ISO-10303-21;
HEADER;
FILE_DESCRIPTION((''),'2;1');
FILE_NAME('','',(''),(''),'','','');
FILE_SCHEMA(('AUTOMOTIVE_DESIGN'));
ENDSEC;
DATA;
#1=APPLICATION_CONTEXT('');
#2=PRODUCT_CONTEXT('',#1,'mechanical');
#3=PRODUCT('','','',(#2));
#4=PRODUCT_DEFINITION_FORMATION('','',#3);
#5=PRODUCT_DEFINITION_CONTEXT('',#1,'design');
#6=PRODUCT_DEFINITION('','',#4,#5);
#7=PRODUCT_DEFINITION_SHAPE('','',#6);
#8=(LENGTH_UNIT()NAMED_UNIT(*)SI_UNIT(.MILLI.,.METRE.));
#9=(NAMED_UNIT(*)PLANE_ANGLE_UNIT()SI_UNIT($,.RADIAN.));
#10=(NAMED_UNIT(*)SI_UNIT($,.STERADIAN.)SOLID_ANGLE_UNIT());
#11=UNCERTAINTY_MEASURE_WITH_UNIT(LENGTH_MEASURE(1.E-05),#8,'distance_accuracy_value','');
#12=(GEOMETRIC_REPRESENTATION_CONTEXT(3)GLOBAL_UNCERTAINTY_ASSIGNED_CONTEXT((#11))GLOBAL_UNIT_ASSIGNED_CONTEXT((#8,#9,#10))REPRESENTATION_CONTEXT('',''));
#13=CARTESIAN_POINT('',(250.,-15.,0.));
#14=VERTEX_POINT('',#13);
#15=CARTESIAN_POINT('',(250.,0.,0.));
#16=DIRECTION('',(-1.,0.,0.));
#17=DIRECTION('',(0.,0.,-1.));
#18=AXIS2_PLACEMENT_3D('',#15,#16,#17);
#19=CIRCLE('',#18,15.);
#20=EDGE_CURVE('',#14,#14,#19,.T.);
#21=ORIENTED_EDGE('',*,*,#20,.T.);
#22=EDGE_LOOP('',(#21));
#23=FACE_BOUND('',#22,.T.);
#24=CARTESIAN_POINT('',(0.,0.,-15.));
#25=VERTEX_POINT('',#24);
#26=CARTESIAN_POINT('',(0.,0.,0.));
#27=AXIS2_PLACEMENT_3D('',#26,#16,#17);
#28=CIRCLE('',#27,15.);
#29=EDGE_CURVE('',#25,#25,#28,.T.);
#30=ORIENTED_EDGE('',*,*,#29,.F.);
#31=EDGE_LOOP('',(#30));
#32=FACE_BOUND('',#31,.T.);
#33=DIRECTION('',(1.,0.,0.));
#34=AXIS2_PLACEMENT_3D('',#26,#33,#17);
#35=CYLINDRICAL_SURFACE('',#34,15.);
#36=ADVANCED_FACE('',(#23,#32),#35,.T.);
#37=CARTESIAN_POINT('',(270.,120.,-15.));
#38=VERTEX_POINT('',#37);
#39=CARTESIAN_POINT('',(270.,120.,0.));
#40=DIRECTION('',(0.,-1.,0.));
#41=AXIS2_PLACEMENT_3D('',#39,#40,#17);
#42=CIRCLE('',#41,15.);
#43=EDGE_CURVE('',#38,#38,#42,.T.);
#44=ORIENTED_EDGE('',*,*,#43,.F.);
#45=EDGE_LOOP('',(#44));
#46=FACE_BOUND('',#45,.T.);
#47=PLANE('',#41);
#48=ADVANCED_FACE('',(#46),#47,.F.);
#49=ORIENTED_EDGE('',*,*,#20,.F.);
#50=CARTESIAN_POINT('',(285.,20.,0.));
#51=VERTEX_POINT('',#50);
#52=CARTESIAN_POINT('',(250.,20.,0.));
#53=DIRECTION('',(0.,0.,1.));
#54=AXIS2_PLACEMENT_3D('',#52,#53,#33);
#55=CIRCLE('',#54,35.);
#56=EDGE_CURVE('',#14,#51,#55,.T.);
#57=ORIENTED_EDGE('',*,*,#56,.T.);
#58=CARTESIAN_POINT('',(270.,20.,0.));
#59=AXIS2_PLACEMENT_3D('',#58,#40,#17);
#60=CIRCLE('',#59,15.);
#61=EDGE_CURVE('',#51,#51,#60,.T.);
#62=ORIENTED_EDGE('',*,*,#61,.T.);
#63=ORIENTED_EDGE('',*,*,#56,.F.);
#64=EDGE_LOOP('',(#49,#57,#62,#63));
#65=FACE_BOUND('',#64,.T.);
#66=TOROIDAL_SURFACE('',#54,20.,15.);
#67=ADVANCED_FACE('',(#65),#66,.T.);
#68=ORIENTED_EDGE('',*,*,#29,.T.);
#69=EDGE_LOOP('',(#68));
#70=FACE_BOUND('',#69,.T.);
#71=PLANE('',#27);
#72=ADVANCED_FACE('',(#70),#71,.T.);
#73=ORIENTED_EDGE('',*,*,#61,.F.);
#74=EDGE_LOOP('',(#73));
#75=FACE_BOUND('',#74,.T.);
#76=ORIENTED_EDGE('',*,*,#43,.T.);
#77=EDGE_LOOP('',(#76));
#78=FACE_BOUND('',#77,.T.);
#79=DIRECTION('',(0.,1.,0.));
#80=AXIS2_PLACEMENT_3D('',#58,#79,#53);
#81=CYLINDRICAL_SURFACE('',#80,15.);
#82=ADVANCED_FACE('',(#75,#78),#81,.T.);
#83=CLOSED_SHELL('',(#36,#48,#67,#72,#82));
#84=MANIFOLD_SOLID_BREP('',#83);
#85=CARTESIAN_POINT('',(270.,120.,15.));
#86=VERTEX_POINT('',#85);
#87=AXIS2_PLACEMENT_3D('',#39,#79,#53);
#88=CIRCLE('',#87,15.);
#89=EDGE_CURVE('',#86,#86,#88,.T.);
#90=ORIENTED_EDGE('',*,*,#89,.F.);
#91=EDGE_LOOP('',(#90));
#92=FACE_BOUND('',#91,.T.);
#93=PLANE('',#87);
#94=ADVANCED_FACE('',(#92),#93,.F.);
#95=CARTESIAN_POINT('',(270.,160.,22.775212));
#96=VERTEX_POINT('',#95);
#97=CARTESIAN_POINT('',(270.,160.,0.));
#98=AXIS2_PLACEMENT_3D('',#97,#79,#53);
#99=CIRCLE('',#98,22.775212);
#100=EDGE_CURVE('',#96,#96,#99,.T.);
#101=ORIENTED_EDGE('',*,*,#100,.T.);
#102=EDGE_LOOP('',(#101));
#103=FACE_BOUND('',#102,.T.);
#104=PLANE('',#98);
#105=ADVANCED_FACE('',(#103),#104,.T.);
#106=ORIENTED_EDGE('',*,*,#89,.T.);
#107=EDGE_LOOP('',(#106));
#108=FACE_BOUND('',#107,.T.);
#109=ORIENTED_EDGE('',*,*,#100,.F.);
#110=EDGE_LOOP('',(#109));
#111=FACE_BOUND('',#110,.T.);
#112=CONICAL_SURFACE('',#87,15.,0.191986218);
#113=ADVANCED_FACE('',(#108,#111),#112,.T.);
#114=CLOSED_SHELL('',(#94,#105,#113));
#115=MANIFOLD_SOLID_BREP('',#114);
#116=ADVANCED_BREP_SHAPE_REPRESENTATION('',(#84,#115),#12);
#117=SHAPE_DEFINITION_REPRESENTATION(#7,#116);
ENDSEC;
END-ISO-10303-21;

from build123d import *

# Parameters (mm, degrees)
SWEEP1_PROFILE_R    = 15
SKETCH30_R          = 15
BOSS_EXTRUDE1_DEPTH = 40
BOSS_EXTRUDE1_DRAFT = -11


with BuildPart() as part:
    # Sweep1: sweep along a path in Sketch1
    with BuildLine(Plane.XY) as sweep1_path:
        Line((0, 0), (250, 0))
        ThreePointArc((250, 0), (264.142135624, 5.857864376), (270, 20))
        Line((270, 20), (270, 120))
    # Sweep1 profile (on start of the path) → Sweep1 (sweep)
    with BuildSketch(Plane(origin=(0, 0, 0), x_dir=(0, 0, 1), z_dir=(1, 0, 0))):
        Circle(SWEEP1_PROFILE_R)
    sweep(path=sweep1_path.line)


with BuildPart() as body_2:
    # Sketch30 → Boss-Extrude1 (with draft: the straight prism first)
    with BuildSketch(Plane(origin=(0, 120, 0), x_dir=(1, 0, 0), z_dir=(0, 1, 0))):
        with Locations((270, 0)):
            Circle(SKETCH30_R)
    extrude(amount=BOSS_EXTRUDE1_DEPTH)
    # Boss-Extrude1: the draft: its side faces are tilted about the plane it starts from
    boss_extrude1_sides = [body_2.faces().sort_by_distance(p)[0] for p in [
        (255, 140, 0),
    ]]
    draft(boss_extrude1_sides, Plane(origin=(0, 120, 0), x_dir=(1, 0, 0), z_dir=(0, 1, 0)), BOSS_EXTRUDE1_DRAFT)


solid = Compound([part.part, body_2.part])
